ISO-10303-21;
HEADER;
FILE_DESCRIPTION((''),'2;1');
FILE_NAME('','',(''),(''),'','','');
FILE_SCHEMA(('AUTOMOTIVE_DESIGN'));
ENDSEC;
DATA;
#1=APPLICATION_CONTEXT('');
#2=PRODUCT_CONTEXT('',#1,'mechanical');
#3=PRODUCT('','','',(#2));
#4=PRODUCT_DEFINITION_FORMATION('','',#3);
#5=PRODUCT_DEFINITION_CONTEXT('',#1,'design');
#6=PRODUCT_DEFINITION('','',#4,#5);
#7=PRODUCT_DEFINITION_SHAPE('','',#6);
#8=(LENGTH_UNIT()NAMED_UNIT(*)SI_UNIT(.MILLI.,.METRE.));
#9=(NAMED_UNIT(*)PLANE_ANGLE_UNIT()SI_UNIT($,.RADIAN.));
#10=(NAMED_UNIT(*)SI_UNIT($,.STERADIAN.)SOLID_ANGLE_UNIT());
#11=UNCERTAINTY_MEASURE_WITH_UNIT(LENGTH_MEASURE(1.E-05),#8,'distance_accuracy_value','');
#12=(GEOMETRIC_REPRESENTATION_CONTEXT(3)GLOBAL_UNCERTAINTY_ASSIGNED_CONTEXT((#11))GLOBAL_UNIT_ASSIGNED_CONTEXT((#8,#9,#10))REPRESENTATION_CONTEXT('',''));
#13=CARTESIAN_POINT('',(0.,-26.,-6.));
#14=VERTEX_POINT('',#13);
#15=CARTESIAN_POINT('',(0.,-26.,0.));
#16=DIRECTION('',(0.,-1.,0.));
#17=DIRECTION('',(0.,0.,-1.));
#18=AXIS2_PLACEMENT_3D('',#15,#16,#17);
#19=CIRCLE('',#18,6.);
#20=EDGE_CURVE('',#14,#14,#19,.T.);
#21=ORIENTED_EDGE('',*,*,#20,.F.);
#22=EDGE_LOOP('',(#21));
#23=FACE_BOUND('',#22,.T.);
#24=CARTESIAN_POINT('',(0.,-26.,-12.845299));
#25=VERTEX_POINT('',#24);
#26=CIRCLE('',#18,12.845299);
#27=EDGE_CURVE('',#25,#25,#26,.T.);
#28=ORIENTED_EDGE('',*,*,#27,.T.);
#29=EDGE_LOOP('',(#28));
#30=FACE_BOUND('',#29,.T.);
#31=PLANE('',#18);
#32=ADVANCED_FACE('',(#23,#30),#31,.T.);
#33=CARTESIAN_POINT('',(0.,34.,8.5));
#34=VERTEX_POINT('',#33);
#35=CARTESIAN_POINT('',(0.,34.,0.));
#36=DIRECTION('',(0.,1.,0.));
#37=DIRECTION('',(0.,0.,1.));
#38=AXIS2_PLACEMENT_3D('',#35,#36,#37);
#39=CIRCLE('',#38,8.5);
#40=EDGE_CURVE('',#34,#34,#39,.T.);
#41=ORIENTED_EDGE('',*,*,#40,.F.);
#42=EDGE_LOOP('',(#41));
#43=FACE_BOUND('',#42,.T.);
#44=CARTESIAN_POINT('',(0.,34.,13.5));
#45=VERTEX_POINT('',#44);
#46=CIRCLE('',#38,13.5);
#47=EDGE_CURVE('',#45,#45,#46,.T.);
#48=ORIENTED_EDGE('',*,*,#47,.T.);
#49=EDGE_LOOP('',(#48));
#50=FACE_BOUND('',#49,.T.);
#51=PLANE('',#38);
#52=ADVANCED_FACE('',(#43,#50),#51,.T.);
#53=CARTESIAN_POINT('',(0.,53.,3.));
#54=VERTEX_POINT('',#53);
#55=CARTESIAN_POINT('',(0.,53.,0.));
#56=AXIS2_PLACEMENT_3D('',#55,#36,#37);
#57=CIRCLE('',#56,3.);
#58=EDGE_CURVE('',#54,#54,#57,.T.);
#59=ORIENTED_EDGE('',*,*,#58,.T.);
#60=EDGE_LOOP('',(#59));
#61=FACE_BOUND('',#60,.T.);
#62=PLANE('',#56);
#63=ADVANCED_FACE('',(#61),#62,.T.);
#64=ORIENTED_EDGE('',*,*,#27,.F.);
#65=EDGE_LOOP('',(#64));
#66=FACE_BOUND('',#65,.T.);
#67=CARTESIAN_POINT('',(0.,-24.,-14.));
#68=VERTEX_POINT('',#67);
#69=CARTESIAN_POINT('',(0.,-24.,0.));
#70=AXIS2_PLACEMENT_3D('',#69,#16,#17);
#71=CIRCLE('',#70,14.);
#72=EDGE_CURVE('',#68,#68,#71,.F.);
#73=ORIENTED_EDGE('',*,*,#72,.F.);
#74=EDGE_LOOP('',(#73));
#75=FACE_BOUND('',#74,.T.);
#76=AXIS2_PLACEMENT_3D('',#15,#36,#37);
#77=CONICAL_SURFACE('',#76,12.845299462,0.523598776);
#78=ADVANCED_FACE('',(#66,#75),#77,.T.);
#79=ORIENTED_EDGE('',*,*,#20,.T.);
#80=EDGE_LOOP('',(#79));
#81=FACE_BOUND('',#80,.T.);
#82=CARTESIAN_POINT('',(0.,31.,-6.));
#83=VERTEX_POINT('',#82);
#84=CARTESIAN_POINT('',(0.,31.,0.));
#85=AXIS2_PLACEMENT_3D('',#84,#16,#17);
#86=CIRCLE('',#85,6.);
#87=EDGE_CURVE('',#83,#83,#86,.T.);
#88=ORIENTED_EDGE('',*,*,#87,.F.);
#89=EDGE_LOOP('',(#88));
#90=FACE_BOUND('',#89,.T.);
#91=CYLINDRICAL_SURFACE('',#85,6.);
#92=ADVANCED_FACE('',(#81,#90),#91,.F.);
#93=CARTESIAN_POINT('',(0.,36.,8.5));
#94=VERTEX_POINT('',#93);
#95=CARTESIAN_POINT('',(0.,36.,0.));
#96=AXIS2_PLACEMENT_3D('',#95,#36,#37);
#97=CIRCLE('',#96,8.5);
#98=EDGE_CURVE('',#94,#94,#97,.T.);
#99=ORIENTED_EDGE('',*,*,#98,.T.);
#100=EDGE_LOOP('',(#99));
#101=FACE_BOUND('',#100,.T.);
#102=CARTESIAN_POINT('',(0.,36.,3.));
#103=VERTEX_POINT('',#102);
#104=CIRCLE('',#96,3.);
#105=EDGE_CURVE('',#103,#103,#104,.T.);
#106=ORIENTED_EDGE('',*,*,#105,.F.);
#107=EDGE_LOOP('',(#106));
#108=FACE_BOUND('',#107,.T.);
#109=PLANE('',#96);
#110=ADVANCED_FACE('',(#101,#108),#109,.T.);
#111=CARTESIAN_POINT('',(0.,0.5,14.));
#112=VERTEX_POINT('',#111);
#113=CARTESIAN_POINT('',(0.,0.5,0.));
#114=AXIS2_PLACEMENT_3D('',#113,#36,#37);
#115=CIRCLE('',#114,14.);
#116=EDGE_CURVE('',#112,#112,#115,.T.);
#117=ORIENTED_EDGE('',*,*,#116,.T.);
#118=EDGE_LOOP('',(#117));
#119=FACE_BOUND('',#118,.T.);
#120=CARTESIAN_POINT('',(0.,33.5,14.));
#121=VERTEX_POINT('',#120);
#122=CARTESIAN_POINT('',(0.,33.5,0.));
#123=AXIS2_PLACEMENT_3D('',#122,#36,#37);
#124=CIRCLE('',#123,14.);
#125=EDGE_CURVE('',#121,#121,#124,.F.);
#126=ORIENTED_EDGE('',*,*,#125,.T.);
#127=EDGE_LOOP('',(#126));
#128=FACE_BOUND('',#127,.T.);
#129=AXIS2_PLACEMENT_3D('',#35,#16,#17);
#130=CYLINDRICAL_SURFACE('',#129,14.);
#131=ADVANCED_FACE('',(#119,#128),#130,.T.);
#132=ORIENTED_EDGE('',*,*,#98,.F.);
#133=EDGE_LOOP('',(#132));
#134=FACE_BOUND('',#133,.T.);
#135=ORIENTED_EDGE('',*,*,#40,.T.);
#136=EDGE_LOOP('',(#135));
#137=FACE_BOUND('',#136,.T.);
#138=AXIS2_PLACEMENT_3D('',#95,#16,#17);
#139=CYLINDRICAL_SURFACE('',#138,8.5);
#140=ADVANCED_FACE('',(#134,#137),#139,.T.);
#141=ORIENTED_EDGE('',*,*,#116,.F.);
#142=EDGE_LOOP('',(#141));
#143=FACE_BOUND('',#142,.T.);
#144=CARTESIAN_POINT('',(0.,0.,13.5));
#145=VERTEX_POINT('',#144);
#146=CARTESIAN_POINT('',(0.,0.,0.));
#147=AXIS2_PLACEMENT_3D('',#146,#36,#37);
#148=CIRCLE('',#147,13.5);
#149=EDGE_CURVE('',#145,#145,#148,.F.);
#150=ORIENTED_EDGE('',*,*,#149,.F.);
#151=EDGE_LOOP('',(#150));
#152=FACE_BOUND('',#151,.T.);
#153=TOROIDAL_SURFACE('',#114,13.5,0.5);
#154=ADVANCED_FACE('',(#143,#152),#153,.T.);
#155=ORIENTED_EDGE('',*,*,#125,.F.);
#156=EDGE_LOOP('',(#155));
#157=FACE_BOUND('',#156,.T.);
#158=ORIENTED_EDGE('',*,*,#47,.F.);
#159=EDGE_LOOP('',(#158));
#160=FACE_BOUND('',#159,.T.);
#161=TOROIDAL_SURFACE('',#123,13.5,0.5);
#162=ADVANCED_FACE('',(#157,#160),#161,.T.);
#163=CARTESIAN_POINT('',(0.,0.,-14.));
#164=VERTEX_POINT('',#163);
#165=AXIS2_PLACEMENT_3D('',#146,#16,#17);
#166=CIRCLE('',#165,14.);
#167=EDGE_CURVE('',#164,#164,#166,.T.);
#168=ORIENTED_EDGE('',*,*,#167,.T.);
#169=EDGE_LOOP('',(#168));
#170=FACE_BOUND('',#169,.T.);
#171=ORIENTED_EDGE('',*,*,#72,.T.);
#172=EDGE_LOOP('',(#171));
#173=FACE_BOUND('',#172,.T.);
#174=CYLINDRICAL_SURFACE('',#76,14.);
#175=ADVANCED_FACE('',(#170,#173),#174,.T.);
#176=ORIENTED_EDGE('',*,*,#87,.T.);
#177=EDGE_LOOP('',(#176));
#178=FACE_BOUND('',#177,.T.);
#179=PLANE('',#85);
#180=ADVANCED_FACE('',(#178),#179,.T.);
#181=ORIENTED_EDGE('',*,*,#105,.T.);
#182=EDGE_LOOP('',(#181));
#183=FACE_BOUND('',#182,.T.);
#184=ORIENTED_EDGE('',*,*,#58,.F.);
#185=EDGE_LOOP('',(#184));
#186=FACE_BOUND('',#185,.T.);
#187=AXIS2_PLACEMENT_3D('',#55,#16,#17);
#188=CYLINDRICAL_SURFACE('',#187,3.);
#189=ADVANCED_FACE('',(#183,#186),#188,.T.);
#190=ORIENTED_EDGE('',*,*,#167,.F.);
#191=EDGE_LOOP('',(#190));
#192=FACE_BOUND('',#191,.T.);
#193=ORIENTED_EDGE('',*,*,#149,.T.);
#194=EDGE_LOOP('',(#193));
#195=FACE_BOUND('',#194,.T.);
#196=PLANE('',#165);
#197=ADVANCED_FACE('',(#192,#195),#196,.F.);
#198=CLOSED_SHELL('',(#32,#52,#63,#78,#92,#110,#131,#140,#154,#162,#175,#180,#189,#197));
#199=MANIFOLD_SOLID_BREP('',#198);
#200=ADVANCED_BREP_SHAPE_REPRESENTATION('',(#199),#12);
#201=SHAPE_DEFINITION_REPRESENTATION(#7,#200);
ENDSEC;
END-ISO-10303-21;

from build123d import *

# Parameters (mm, degrees)
SKETCH1_R           = 14
BOSS_EXTRUDE1_DEPTH = 34
SKETCH2_R           = 8.5
BOSS_EXTRUDE2_DEPTH = 2
SKETCH3_R           = 3
BOSS_EXTRUDE3_DEPTH = 17
FILLET1_R           = 0.5
SKETCH5_R           = 14
BOSS_EXTRUDE4_DEPTH = 26
CHAMFER1_SIZE       = 2
CHAMFER1_SIZE2      = 1.154700538
SKETCH6_R           = 6
CUT_EXTRUDE1_DEPTH  = 57


with BuildPart() as part:
    # Sketch1 → Boss-Extrude1 (new body)
    with BuildSketch(Plane(origin=(0, 0, 0), x_dir=(1, 0, 0), z_dir=(0, 1, 0))):
        Circle(SKETCH1_R)
    extrude(amount=BOSS_EXTRUDE1_DEPTH)

    # Sketch2 → Boss-Extrude2 (add)
    with BuildSketch(Plane(origin=(0, 34, 0), x_dir=(1, 0, 0), z_dir=(0, 1, 0))):
        Circle(SKETCH2_R)
    extrude(amount=BOSS_EXTRUDE2_DEPTH)

    # Sketch3 → Boss-Extrude3 (add)
    with BuildSketch(Plane(origin=(0, 36, 0), x_dir=(1, 0, 0), z_dir=(0, 1, 0))):
        Circle(SKETCH3_R)
    extrude(amount=BOSS_EXTRUDE3_DEPTH)

    # Fillet1
    fillet1_edges = [part.edges().sort_by_distance(p)[0] for p in [
        (-14, 0, 0),
        (-14, 34, 0),
    ]]
    fillet(fillet1_edges, radius=FILLET1_R)

    # Sketch5 → Boss-Extrude4 (add)
    with BuildSketch(Plane.XZ):
        Circle(SKETCH5_R)
    extrude(amount=BOSS_EXTRUDE4_DEPTH)

    # Chamfer1
    chamfer1_edges = [part.edges().sort_by_distance(p)[0] for p in [
        (-14, -26, 0),
    ]]
    chamfer1_side = [part.faces().sort_by_distance(p)[0] for p in [
        (-14, -13, 0),
    ]]
    chamfer(chamfer1_edges, length=CHAMFER1_SIZE, length2=CHAMFER1_SIZE2, reference=chamfer1_side[0])

    # Sketch6 → Cut-Extrude1 (cut)
    with BuildSketch(Plane.XZ.offset(26)):
        Circle(SKETCH6_R)
    extrude(amount=-CUT_EXTRUDE1_DEPTH, mode=Mode.SUBTRACT)


solid = part.part
